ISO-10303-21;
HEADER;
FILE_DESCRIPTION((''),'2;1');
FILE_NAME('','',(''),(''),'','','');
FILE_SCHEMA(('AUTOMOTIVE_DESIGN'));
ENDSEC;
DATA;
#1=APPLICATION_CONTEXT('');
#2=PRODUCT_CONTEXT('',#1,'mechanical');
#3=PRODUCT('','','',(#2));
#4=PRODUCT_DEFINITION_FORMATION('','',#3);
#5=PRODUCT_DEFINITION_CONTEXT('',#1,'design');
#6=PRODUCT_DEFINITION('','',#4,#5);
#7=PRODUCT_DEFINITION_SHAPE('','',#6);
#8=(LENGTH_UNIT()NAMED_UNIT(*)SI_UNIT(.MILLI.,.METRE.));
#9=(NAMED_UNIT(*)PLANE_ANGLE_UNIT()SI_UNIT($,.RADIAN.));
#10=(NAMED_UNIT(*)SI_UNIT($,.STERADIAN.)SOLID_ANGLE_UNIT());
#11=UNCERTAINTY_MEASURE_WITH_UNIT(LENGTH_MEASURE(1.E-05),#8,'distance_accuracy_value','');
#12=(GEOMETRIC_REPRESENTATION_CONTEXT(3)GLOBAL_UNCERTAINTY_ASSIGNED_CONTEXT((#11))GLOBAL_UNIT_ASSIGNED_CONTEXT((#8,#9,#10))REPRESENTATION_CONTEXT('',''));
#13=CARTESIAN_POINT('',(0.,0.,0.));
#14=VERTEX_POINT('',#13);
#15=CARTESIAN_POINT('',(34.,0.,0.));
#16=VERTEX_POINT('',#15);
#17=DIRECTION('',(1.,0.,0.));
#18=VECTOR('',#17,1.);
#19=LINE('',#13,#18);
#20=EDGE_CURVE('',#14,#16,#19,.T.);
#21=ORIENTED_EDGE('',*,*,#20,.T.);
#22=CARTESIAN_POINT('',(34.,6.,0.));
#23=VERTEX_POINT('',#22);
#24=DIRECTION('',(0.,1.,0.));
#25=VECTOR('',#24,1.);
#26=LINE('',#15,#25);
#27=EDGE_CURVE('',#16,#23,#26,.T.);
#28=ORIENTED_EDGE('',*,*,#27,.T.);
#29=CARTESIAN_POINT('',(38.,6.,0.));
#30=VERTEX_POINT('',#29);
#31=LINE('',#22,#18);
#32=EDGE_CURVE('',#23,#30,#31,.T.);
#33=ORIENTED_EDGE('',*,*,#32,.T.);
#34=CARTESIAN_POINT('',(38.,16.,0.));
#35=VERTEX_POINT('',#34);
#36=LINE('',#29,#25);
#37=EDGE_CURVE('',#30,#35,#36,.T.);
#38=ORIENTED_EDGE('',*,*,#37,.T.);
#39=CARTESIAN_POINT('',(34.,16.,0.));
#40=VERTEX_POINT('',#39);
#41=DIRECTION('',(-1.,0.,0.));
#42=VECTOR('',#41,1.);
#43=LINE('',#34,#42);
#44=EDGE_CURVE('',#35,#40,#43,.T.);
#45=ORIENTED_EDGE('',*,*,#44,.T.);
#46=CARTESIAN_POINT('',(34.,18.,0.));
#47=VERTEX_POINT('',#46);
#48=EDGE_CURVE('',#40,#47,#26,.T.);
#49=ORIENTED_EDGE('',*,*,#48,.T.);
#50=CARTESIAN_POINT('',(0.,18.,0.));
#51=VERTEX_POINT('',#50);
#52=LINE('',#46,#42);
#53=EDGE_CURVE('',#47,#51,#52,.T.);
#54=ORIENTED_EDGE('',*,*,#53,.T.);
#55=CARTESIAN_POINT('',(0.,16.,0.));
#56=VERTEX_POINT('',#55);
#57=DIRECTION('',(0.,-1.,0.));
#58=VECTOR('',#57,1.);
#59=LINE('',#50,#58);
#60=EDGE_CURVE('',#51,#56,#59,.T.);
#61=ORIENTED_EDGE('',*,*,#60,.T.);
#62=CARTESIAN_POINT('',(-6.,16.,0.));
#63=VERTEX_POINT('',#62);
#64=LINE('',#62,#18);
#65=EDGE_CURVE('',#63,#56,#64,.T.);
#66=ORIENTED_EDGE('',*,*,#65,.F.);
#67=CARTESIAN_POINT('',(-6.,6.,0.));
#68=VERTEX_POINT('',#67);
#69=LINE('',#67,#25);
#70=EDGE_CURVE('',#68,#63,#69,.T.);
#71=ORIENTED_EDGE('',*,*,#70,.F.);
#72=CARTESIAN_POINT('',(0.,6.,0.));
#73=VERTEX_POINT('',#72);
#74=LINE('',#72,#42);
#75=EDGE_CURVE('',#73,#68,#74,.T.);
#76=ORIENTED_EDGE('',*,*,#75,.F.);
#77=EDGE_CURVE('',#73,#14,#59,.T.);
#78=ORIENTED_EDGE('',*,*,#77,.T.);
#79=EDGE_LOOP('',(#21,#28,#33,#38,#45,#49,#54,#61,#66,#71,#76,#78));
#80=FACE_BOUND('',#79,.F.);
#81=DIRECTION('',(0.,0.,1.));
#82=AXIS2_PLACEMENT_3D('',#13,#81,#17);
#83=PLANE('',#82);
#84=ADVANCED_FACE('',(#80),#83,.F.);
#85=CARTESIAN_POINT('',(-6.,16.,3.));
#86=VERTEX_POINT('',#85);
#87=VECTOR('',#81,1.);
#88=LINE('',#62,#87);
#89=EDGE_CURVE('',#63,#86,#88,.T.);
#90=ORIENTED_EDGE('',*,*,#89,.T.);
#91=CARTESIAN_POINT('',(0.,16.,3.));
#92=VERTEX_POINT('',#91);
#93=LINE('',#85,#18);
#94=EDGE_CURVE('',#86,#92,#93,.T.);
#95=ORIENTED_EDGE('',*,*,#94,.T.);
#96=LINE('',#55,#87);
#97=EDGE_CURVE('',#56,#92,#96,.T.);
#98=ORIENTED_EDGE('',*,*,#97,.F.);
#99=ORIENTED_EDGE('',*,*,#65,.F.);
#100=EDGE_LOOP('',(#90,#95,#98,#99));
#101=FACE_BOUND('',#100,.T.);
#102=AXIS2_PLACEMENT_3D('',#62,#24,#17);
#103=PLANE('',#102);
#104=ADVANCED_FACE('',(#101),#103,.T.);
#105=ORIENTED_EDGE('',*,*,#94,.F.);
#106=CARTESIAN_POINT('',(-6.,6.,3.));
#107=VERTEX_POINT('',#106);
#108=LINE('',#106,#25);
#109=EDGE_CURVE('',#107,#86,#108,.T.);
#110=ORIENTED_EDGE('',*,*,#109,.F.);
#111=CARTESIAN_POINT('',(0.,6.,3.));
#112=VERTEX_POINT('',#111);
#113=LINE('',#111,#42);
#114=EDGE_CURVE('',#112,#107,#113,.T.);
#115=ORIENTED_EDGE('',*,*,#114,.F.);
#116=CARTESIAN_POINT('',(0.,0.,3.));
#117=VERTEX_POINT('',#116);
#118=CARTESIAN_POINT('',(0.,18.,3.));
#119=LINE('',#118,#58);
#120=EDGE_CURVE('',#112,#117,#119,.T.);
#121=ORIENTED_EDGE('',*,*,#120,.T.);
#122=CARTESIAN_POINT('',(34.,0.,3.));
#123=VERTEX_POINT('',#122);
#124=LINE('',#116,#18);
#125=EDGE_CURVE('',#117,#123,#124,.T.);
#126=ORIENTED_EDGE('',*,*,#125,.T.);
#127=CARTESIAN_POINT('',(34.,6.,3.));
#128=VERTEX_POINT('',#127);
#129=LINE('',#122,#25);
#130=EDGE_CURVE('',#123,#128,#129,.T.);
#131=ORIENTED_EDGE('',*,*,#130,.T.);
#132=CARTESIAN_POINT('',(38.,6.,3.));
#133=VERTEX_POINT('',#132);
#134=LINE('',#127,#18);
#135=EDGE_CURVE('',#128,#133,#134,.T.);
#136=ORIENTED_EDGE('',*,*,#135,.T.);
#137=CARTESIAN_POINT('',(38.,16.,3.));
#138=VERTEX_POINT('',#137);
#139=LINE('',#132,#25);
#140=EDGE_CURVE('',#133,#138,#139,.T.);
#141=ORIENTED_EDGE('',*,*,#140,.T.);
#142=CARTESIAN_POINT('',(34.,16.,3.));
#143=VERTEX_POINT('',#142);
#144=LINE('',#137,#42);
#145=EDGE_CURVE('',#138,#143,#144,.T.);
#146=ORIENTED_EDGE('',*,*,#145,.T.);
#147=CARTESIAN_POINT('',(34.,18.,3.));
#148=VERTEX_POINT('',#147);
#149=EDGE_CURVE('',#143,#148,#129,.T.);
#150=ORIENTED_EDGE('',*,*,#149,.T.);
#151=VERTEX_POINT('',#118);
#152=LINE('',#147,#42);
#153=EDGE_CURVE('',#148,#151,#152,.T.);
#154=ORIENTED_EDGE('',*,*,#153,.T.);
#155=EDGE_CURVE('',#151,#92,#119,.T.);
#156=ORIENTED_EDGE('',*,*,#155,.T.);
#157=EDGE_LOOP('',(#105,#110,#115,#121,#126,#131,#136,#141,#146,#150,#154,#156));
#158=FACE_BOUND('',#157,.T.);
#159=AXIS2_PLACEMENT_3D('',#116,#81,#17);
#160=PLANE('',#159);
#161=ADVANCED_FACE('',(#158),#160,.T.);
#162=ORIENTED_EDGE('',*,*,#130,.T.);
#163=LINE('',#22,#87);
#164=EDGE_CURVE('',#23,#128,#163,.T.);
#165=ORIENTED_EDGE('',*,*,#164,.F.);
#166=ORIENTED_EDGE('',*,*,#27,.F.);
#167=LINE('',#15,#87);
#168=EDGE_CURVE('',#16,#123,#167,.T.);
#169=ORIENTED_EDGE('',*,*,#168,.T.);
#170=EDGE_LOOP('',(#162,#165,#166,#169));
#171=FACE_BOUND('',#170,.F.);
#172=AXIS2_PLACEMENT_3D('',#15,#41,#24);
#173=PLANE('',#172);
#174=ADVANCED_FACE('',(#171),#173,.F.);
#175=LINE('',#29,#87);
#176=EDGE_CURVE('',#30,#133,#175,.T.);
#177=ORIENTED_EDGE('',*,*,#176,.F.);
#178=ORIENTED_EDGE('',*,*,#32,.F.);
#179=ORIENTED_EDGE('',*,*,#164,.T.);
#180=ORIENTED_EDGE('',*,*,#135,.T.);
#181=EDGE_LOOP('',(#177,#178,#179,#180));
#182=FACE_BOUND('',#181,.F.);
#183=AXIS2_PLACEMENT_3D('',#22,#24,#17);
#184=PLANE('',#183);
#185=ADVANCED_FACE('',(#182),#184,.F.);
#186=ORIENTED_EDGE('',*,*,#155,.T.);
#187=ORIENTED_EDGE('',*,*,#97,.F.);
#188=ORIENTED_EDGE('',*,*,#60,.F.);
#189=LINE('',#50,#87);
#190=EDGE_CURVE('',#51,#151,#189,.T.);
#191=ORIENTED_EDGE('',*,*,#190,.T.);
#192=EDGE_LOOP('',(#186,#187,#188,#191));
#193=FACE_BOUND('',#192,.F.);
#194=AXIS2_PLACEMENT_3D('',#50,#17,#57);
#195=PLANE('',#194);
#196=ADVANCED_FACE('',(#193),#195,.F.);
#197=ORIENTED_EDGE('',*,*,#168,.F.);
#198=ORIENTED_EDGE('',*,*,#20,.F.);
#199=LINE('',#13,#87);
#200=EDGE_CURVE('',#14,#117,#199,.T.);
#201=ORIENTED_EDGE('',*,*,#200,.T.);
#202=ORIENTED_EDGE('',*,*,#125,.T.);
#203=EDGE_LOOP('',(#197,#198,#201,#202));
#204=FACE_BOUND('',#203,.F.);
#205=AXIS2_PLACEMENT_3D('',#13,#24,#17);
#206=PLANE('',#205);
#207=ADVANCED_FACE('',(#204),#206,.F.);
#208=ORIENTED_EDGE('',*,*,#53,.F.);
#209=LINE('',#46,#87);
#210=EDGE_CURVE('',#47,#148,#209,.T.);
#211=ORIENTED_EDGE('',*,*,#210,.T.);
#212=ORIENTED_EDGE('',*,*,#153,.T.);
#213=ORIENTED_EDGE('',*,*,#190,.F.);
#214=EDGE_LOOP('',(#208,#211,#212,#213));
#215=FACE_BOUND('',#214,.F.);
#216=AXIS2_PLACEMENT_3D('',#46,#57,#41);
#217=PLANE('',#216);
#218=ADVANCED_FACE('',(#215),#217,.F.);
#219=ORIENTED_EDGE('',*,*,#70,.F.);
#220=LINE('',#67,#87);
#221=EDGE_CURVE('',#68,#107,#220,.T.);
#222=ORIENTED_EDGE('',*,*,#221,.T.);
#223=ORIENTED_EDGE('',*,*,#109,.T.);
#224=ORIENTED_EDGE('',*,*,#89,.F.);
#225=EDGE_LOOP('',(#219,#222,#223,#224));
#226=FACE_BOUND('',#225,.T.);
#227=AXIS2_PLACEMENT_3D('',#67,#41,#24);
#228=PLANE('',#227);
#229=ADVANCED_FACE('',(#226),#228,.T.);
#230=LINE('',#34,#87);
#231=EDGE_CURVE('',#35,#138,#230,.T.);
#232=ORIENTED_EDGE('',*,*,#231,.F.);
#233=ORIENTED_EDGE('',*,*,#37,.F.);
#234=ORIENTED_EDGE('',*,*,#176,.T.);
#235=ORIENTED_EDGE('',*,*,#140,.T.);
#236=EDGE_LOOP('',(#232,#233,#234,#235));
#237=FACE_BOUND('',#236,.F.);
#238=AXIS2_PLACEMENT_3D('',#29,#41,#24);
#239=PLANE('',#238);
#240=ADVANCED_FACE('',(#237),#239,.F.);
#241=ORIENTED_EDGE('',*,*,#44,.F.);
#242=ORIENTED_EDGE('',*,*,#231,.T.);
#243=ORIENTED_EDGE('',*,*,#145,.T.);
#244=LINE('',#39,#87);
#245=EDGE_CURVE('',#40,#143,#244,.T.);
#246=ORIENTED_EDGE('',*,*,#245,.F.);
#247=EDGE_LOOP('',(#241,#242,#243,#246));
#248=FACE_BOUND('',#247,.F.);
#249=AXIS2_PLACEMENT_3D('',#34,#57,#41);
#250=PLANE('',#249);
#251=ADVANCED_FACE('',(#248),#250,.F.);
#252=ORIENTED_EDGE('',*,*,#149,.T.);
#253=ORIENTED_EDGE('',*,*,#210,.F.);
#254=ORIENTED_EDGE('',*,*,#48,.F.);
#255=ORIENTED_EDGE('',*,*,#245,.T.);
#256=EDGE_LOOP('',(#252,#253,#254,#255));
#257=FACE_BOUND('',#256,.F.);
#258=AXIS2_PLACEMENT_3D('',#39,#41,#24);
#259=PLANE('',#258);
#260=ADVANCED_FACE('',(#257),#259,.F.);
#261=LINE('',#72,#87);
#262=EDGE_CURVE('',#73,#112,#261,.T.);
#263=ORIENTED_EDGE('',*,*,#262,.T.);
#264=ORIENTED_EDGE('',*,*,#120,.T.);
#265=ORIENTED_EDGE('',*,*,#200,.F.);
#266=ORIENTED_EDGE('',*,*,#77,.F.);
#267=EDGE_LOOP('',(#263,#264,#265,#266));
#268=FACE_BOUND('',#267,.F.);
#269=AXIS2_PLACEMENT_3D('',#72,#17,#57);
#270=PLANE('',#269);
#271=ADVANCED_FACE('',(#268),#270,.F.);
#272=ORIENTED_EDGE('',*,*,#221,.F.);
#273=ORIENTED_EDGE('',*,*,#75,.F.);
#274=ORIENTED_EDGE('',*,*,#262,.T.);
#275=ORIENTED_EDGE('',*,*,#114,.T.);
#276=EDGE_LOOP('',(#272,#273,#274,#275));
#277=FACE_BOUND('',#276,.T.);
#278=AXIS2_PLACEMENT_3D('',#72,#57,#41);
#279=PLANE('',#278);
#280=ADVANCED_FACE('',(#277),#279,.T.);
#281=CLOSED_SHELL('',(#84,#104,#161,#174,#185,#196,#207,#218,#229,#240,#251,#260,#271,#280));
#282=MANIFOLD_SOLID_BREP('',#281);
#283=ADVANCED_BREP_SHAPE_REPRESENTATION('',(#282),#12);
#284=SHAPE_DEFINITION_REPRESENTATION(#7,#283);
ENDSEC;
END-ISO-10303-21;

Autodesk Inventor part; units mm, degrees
ref_plane "YZ Plane" through (0, 0, 0) normal (1, 0, 0) x (0, 1, 0)
ref_plane "XZ Plane" through (0, 0, 0) normal (0, 1, 0) x (-1, 0, 0)
ref_plane "XY Plane" through (0, 0, 0) normal (0, 0, 1) x (1, 0, 0)
sketch "Sketch1" plane through (0, 0, 0) normal (0, 0, 1) x (1, 0, 0)
  line L0 (0, 0) -> (34, 0)
  line L1 (34, 0) -> (34, 18)
  line L2 (34, 18) -> (0, 18)
  line L3 (0, 18) -> (0, 0)
  line L4 (-6, 16) -> (0, 16)
  line L5 (0, 16) -> (0, 6)
  line L6 (0, 6) -> (-6, 6)
  line L7 (-6, 6) -> (-6, 16)
  line L8 (-6, 16) -> (0, 6) construction
  line L9 (0, 16) -> (-6, 6) construction
  line L10 (38, 16) -> (34, 16)
  line L11 (34, 16) -> (34, 6)
  line L12 (34, 6) -> (38, 6)
  line L13 (38, 6) -> (38, 16)
  line L14 (38, 16) -> (34, 6) construction
  line L15 (34, 16) -> (38, 6) construction
  point P0 (-3, 11)
  point P1 (36, 11)
  point P2 (0, 16)
  dimension "d0" = 34
  dimension "d2" = 4
  dimension "d3" = 6
  dimension "d4" = 10
  dimension "d5" = 10
  dimension "d8" = 6
  dimension "d9" = 2
extrude "Extrusion1" add sketch "Sketch1" along normal blind 3
properties part number "Frontrail"
